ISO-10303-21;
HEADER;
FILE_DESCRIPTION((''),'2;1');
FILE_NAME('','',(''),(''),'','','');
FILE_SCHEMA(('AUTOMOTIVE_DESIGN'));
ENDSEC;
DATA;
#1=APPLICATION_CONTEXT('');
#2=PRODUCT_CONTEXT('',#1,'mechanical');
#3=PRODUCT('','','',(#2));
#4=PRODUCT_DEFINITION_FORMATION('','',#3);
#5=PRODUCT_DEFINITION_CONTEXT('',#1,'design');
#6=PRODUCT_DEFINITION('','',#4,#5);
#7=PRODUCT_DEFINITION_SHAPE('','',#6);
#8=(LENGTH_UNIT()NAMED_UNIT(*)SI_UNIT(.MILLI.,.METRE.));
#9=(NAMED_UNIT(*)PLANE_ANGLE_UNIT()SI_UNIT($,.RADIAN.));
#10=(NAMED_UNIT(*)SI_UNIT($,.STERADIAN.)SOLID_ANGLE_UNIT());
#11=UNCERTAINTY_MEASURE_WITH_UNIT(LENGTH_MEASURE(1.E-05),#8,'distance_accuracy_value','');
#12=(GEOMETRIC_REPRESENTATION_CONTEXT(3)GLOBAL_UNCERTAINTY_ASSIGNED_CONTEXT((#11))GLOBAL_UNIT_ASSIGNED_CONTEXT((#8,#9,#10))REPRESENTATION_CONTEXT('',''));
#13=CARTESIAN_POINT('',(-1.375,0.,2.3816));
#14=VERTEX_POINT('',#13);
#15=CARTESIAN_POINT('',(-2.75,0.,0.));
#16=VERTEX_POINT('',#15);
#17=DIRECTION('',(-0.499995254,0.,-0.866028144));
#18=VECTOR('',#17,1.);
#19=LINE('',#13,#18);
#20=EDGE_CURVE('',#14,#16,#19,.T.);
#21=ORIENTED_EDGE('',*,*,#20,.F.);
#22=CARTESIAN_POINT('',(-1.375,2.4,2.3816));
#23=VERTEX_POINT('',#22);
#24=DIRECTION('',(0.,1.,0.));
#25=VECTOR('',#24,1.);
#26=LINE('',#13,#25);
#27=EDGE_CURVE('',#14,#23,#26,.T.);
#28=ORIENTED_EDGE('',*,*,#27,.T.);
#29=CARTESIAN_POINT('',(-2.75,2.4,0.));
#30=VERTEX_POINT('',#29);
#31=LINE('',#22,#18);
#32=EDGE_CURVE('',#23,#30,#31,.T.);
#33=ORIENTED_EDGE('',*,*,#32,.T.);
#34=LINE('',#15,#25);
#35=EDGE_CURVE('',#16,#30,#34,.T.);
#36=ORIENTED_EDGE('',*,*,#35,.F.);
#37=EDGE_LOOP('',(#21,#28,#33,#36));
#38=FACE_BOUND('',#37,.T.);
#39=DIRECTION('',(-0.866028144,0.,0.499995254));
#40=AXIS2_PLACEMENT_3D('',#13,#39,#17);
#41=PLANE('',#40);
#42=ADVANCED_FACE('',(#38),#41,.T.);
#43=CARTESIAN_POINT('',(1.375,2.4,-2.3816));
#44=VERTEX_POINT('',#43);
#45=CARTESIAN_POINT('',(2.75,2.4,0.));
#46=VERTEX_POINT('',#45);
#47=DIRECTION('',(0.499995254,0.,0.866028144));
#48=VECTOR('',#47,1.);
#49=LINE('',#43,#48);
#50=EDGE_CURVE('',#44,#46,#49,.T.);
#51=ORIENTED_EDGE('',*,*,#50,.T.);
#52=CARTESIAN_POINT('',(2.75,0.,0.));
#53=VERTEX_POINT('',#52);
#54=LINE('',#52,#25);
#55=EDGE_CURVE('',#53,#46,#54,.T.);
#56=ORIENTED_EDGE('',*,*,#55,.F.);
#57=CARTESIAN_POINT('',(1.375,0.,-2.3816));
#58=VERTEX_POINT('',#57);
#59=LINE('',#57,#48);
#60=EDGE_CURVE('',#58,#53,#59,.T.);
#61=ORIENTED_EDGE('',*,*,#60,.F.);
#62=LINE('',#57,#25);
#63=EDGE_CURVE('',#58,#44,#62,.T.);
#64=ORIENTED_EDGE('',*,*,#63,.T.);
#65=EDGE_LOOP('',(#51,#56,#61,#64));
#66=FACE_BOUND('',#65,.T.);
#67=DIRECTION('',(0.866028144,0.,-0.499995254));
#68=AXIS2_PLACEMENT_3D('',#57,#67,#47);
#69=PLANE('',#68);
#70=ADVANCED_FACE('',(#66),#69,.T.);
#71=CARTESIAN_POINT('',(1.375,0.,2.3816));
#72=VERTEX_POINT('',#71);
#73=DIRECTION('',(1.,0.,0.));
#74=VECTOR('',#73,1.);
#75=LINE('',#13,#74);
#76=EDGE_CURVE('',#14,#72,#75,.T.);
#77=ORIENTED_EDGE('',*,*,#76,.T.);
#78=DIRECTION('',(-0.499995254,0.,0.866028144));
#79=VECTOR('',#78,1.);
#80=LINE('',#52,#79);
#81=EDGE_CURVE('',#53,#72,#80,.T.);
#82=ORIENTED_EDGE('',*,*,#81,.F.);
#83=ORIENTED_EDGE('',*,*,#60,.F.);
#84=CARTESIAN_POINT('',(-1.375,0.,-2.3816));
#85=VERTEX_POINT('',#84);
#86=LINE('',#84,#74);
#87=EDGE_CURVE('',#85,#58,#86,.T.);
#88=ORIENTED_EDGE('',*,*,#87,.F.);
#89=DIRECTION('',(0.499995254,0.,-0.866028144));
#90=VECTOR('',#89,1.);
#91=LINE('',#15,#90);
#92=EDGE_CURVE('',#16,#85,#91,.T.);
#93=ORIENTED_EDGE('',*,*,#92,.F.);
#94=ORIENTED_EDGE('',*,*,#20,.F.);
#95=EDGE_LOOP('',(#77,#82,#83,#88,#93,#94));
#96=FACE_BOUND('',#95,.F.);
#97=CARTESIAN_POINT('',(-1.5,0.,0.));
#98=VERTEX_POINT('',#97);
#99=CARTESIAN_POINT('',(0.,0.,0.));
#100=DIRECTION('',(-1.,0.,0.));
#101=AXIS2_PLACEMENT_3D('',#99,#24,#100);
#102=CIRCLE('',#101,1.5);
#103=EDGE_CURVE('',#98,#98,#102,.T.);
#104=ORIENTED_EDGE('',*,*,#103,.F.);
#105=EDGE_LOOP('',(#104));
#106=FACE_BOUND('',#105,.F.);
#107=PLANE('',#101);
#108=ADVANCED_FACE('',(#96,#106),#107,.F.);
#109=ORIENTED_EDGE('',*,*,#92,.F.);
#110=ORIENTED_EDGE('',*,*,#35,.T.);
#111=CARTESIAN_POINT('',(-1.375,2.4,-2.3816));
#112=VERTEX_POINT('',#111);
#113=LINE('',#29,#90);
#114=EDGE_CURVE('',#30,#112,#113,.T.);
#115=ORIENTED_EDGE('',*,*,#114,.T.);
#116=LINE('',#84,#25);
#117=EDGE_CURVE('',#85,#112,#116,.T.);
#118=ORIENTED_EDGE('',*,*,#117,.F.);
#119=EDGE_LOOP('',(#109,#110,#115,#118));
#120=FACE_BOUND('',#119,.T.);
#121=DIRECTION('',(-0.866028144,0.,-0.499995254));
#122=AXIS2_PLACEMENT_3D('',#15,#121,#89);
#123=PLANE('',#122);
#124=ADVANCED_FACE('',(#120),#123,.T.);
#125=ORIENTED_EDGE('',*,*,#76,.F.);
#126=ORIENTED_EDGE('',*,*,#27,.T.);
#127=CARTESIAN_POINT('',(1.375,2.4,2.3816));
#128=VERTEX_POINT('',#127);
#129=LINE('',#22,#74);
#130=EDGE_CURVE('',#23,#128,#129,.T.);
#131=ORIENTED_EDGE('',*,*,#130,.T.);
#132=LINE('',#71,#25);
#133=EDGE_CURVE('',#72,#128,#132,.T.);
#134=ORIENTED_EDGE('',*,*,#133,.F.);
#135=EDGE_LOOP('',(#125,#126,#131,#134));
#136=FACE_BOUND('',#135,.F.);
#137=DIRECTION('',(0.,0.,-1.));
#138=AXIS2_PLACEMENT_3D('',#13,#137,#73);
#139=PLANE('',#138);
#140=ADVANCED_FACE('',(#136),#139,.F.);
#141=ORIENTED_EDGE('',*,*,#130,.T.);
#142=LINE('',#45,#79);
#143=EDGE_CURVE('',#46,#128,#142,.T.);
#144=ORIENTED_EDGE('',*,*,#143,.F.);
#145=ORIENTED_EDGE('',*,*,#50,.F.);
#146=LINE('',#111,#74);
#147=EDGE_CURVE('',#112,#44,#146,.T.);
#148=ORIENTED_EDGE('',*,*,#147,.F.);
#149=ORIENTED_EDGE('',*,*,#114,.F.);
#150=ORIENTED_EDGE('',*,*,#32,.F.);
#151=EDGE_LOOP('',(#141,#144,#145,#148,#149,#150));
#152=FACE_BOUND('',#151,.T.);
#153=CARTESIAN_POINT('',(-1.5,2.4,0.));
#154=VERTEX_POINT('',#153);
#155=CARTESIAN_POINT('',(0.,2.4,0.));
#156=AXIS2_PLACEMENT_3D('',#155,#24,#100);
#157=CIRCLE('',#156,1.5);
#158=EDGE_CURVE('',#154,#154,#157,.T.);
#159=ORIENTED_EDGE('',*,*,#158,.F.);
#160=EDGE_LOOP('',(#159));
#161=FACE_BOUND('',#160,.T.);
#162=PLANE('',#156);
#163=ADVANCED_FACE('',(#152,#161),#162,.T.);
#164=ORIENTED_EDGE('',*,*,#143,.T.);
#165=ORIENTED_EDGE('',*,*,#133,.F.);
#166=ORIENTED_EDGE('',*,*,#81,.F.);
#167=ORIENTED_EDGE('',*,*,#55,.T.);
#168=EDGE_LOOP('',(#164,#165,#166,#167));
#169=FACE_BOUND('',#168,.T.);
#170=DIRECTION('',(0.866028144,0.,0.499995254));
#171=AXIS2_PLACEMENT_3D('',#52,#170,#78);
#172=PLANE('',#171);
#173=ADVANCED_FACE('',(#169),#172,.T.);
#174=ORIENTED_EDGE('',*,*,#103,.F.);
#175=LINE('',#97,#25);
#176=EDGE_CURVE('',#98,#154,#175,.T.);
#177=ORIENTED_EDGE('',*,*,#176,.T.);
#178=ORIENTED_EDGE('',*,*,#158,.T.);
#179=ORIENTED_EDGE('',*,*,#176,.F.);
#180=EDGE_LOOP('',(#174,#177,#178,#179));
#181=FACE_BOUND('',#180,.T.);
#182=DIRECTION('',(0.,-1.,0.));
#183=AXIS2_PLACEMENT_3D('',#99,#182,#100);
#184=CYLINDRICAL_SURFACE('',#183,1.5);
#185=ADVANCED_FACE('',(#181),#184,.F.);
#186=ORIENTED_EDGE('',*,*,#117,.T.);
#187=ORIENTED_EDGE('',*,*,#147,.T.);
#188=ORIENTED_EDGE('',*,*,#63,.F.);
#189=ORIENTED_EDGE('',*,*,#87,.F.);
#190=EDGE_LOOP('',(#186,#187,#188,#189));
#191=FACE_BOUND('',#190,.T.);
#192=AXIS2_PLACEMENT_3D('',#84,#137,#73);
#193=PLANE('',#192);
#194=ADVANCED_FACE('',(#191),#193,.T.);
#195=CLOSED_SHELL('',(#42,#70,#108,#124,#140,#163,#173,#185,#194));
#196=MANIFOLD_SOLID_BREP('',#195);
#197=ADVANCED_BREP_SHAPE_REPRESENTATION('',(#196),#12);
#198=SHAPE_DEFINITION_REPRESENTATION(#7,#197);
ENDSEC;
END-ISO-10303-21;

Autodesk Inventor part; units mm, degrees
ref_plane "YZ Plane" through (0, 0, 0) normal (1, 0, 0) x (0, 1, 0)
ref_plane "XZ Plane" through (0, 0, 0) normal (0, 1, 0) x (-1, 0, 0)
ref_plane "XY Plane" through (0, 0, 0) normal (0, 0, 1) x (1, 0, 0)
sketch "Sketch1" plane through (0, 0, 0) normal (0, 1, 0) x (-1, 0, 0)
  line L0 (2.75, 0) -> (1.375, -2.3816)
  line L1 (1.375, -2.3816) -> (-1.375, -2.3816)
  line L2 (-1.375, -2.3816) -> (-2.75, 0)
  line L3 (-2.75, 0) -> (-1.375, 2.3816)
  line L4 (1.375, 2.3816) -> (2.75, 0)
  line L5 (1.375, 2.3816) -> (-1.375, 2.3816)
  circle A0 centre (0, 0) radius 1.5
  dimension "d19" = 3
extrude "Extrusion1" add sketch "Sketch1" along normal blind 2.4
thread "Thread1" size "M3x0.5" class "6H" standard "ANSI Metric M Profile" full length
properties part number "3mm nut"
